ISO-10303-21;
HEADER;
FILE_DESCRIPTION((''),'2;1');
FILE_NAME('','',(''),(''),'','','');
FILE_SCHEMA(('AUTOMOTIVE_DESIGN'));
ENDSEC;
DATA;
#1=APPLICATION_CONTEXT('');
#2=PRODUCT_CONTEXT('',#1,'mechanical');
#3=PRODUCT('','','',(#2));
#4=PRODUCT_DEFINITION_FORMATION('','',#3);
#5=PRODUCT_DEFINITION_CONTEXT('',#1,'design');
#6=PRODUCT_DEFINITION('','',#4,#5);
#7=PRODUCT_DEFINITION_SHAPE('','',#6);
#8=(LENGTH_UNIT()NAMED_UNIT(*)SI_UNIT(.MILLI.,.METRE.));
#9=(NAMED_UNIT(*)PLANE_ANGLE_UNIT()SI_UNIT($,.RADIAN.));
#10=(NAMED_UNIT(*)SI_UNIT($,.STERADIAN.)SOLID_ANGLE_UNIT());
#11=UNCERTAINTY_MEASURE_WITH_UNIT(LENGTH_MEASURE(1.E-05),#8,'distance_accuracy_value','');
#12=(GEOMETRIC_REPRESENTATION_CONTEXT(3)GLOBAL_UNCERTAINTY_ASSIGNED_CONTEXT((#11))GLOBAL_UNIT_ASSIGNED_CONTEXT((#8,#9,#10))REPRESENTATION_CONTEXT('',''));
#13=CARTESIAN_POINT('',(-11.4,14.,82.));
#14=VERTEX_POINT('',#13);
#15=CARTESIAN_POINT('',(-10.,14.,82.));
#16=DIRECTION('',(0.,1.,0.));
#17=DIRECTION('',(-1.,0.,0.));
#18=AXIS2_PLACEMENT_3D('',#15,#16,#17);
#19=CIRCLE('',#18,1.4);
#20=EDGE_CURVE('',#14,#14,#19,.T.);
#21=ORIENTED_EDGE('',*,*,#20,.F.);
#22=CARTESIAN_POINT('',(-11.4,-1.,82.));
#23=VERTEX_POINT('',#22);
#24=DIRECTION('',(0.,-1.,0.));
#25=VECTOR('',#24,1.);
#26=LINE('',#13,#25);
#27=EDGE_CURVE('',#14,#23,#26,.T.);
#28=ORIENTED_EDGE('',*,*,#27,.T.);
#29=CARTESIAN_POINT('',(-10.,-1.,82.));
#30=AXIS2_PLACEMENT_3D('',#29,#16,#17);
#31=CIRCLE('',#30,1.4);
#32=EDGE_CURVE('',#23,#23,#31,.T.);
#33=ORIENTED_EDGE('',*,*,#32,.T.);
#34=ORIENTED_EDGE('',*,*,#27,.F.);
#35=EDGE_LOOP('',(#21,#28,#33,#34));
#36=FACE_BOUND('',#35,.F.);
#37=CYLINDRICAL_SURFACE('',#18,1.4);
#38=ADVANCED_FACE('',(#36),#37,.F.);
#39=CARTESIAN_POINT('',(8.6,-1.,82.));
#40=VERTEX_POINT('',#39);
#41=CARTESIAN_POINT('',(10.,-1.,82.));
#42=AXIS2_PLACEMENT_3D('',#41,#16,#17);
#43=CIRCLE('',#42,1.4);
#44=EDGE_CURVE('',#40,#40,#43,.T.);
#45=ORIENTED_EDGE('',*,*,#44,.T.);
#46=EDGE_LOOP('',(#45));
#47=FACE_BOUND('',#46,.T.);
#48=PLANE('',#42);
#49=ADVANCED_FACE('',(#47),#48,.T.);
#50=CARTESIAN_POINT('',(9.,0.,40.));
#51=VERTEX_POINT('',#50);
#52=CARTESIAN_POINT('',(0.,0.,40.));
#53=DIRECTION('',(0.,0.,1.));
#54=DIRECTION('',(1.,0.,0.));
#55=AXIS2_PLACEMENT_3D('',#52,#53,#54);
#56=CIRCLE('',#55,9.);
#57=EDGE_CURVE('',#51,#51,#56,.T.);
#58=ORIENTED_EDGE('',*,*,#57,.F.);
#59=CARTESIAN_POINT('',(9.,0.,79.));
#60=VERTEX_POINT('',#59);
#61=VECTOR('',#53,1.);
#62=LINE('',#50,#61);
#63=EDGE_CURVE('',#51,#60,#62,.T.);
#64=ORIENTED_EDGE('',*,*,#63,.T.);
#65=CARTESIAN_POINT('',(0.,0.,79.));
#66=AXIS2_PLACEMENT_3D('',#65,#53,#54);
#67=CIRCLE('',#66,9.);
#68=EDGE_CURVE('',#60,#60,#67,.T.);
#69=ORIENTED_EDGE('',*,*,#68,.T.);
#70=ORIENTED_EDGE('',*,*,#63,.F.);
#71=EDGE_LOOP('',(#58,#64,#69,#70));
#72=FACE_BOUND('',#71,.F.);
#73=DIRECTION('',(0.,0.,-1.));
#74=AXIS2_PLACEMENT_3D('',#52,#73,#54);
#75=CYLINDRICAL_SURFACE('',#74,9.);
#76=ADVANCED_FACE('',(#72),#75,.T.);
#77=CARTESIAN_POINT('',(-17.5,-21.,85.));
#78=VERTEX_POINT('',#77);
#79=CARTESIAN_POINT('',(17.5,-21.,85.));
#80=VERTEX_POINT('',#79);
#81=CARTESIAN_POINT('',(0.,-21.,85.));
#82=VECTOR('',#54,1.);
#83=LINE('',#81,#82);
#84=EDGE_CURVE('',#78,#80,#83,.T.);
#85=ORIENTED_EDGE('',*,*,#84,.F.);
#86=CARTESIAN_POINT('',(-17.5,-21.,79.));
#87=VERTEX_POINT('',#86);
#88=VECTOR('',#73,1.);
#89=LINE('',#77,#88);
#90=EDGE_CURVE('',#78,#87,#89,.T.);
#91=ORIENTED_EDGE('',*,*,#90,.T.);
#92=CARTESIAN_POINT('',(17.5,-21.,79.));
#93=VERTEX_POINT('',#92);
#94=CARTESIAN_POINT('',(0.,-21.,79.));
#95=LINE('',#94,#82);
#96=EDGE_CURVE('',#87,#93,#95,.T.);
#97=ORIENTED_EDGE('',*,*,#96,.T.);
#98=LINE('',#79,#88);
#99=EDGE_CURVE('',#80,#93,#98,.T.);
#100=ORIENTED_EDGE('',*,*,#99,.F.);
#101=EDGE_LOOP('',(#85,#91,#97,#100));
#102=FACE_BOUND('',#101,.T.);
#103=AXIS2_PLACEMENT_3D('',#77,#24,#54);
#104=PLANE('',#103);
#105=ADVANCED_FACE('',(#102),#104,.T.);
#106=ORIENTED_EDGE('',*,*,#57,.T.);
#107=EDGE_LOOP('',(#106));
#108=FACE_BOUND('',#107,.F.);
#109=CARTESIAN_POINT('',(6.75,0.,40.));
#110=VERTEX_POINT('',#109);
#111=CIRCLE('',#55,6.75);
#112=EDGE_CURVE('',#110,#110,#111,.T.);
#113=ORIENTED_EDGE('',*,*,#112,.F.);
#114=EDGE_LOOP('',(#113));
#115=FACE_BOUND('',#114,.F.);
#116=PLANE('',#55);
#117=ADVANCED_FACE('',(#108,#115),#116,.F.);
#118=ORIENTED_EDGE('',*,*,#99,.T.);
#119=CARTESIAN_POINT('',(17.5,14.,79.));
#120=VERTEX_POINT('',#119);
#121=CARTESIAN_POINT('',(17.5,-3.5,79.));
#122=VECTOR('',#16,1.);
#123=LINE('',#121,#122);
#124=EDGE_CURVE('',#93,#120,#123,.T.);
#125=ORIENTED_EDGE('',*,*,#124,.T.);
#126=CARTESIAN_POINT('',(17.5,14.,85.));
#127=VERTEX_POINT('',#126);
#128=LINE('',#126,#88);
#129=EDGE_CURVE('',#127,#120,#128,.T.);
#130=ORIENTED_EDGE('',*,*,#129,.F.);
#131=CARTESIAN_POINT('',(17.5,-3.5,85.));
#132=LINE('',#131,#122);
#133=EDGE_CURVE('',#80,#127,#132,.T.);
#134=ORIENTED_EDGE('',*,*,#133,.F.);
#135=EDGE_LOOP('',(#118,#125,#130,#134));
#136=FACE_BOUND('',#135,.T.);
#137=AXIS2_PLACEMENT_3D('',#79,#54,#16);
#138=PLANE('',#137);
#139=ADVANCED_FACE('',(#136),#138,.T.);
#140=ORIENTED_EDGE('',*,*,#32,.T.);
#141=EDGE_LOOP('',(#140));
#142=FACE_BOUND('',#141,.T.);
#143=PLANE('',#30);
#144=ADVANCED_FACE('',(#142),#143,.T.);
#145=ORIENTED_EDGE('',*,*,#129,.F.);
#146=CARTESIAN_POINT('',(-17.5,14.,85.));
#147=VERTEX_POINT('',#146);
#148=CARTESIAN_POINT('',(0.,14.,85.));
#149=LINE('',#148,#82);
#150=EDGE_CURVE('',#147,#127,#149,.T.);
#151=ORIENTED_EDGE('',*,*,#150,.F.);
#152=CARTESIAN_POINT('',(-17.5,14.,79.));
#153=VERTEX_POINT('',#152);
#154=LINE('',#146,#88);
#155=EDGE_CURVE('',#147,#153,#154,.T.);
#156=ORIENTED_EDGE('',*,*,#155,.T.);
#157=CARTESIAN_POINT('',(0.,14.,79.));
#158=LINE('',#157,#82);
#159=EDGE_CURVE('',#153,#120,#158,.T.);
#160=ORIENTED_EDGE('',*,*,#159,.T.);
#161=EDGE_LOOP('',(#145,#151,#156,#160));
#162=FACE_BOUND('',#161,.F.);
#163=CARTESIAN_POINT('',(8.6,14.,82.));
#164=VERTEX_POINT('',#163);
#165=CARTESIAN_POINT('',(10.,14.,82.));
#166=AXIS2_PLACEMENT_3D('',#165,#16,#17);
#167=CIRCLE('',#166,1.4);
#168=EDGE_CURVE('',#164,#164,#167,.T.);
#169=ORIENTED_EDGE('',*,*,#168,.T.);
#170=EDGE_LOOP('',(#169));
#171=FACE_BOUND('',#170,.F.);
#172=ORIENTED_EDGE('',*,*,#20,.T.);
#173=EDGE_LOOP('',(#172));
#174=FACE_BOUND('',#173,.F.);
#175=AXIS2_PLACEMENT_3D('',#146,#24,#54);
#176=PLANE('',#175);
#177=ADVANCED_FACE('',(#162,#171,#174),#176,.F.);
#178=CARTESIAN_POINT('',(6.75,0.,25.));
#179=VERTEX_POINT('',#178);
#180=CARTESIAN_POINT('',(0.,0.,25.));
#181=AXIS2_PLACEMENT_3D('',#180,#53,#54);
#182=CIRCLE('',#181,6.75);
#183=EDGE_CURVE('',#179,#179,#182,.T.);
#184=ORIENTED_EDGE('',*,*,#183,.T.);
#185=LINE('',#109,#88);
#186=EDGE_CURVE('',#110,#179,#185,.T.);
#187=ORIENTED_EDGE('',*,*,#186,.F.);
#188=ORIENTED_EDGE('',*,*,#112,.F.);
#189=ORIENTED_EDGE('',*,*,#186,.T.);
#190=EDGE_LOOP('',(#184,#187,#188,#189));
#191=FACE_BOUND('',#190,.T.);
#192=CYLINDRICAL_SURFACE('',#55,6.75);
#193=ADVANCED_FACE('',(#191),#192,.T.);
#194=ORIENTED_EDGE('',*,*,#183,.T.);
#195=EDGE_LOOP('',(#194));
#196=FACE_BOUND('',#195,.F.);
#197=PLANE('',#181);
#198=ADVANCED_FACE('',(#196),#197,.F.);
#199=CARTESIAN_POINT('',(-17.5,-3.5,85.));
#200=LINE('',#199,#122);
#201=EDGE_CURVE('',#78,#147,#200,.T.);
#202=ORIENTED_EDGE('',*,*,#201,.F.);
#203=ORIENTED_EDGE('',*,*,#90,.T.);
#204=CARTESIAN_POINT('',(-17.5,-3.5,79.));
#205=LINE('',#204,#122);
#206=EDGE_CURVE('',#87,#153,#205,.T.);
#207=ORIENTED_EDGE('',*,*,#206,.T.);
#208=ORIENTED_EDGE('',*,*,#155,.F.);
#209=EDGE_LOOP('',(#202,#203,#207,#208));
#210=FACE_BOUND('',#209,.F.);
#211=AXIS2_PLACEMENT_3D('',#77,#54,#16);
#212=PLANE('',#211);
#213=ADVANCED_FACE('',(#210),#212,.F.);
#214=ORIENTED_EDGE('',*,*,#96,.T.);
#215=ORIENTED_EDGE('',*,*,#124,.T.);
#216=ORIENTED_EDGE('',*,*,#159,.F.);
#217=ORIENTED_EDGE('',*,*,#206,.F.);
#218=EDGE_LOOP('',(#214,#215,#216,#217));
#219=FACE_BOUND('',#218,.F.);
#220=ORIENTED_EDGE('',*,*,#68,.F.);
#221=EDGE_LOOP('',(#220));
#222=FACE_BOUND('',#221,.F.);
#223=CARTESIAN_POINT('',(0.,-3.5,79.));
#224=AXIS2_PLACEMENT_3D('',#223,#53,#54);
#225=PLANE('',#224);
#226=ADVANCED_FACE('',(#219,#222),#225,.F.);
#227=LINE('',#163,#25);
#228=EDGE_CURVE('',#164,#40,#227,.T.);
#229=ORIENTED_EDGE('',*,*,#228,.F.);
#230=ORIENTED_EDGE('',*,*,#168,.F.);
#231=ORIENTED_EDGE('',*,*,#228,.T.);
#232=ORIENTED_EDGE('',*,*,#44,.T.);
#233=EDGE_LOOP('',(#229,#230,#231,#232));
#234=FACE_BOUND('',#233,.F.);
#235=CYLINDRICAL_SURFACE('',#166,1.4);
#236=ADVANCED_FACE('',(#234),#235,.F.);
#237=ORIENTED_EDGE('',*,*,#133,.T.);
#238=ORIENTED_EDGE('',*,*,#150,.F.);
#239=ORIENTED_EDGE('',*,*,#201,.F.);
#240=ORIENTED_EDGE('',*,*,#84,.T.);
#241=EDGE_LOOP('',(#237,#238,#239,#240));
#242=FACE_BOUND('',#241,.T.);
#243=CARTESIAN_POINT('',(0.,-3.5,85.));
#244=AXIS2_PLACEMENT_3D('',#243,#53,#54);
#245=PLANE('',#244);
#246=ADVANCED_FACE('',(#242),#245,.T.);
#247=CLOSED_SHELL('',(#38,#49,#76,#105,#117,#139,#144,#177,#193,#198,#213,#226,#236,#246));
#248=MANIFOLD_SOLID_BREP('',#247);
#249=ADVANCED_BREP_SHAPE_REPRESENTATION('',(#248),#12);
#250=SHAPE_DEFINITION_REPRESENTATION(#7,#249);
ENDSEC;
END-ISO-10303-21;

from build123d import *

# Parameters (mm, degrees)
F1_R     = 6.75
F2_DEPTH = 15
F3_R     = 9
F4_DEPTH = 45
F5_W     = 35
F5_H     = 35
F5_R     = 9
F6_DEPTH = 6
F7_R     = 1.4
F8_DEPTH = 15


with BuildPart() as f2:
    # F1 (on offset) → F2 (new body)
    with BuildSketch(Plane.XY.offset(40)):
        Circle(F1_R)
    extrude(amount=-F2_DEPTH)

    # F3 (on offset) → F4 (join)
    with BuildSketch(Plane.XY.offset(40)):
        Circle(F3_R)
    extrude(amount=F4_DEPTH)

    # F5 (on face) → F6 (join)
    with BuildSketch(Plane.XY.offset(85)):
        with Locations((0, -3.5)):
            Rectangle(F5_W, F5_H)
        Circle(F5_R, mode=Mode.SUBTRACT)
    extrude(amount=-F6_DEPTH)

    # F7 (on face) → F8 (cut)
    with BuildSketch(Plane(origin=(0, 14, 0), x_dir=(-1, 0, 0), z_dir=(0, 1, 0))):
        with Locations((-10, 82)):
            Circle(F7_R)
        with Locations((10, 82)):
            Circle(F7_R)
    extrude(amount=-F8_DEPTH, mode=Mode.SUBTRACT)


solid = f2.part
